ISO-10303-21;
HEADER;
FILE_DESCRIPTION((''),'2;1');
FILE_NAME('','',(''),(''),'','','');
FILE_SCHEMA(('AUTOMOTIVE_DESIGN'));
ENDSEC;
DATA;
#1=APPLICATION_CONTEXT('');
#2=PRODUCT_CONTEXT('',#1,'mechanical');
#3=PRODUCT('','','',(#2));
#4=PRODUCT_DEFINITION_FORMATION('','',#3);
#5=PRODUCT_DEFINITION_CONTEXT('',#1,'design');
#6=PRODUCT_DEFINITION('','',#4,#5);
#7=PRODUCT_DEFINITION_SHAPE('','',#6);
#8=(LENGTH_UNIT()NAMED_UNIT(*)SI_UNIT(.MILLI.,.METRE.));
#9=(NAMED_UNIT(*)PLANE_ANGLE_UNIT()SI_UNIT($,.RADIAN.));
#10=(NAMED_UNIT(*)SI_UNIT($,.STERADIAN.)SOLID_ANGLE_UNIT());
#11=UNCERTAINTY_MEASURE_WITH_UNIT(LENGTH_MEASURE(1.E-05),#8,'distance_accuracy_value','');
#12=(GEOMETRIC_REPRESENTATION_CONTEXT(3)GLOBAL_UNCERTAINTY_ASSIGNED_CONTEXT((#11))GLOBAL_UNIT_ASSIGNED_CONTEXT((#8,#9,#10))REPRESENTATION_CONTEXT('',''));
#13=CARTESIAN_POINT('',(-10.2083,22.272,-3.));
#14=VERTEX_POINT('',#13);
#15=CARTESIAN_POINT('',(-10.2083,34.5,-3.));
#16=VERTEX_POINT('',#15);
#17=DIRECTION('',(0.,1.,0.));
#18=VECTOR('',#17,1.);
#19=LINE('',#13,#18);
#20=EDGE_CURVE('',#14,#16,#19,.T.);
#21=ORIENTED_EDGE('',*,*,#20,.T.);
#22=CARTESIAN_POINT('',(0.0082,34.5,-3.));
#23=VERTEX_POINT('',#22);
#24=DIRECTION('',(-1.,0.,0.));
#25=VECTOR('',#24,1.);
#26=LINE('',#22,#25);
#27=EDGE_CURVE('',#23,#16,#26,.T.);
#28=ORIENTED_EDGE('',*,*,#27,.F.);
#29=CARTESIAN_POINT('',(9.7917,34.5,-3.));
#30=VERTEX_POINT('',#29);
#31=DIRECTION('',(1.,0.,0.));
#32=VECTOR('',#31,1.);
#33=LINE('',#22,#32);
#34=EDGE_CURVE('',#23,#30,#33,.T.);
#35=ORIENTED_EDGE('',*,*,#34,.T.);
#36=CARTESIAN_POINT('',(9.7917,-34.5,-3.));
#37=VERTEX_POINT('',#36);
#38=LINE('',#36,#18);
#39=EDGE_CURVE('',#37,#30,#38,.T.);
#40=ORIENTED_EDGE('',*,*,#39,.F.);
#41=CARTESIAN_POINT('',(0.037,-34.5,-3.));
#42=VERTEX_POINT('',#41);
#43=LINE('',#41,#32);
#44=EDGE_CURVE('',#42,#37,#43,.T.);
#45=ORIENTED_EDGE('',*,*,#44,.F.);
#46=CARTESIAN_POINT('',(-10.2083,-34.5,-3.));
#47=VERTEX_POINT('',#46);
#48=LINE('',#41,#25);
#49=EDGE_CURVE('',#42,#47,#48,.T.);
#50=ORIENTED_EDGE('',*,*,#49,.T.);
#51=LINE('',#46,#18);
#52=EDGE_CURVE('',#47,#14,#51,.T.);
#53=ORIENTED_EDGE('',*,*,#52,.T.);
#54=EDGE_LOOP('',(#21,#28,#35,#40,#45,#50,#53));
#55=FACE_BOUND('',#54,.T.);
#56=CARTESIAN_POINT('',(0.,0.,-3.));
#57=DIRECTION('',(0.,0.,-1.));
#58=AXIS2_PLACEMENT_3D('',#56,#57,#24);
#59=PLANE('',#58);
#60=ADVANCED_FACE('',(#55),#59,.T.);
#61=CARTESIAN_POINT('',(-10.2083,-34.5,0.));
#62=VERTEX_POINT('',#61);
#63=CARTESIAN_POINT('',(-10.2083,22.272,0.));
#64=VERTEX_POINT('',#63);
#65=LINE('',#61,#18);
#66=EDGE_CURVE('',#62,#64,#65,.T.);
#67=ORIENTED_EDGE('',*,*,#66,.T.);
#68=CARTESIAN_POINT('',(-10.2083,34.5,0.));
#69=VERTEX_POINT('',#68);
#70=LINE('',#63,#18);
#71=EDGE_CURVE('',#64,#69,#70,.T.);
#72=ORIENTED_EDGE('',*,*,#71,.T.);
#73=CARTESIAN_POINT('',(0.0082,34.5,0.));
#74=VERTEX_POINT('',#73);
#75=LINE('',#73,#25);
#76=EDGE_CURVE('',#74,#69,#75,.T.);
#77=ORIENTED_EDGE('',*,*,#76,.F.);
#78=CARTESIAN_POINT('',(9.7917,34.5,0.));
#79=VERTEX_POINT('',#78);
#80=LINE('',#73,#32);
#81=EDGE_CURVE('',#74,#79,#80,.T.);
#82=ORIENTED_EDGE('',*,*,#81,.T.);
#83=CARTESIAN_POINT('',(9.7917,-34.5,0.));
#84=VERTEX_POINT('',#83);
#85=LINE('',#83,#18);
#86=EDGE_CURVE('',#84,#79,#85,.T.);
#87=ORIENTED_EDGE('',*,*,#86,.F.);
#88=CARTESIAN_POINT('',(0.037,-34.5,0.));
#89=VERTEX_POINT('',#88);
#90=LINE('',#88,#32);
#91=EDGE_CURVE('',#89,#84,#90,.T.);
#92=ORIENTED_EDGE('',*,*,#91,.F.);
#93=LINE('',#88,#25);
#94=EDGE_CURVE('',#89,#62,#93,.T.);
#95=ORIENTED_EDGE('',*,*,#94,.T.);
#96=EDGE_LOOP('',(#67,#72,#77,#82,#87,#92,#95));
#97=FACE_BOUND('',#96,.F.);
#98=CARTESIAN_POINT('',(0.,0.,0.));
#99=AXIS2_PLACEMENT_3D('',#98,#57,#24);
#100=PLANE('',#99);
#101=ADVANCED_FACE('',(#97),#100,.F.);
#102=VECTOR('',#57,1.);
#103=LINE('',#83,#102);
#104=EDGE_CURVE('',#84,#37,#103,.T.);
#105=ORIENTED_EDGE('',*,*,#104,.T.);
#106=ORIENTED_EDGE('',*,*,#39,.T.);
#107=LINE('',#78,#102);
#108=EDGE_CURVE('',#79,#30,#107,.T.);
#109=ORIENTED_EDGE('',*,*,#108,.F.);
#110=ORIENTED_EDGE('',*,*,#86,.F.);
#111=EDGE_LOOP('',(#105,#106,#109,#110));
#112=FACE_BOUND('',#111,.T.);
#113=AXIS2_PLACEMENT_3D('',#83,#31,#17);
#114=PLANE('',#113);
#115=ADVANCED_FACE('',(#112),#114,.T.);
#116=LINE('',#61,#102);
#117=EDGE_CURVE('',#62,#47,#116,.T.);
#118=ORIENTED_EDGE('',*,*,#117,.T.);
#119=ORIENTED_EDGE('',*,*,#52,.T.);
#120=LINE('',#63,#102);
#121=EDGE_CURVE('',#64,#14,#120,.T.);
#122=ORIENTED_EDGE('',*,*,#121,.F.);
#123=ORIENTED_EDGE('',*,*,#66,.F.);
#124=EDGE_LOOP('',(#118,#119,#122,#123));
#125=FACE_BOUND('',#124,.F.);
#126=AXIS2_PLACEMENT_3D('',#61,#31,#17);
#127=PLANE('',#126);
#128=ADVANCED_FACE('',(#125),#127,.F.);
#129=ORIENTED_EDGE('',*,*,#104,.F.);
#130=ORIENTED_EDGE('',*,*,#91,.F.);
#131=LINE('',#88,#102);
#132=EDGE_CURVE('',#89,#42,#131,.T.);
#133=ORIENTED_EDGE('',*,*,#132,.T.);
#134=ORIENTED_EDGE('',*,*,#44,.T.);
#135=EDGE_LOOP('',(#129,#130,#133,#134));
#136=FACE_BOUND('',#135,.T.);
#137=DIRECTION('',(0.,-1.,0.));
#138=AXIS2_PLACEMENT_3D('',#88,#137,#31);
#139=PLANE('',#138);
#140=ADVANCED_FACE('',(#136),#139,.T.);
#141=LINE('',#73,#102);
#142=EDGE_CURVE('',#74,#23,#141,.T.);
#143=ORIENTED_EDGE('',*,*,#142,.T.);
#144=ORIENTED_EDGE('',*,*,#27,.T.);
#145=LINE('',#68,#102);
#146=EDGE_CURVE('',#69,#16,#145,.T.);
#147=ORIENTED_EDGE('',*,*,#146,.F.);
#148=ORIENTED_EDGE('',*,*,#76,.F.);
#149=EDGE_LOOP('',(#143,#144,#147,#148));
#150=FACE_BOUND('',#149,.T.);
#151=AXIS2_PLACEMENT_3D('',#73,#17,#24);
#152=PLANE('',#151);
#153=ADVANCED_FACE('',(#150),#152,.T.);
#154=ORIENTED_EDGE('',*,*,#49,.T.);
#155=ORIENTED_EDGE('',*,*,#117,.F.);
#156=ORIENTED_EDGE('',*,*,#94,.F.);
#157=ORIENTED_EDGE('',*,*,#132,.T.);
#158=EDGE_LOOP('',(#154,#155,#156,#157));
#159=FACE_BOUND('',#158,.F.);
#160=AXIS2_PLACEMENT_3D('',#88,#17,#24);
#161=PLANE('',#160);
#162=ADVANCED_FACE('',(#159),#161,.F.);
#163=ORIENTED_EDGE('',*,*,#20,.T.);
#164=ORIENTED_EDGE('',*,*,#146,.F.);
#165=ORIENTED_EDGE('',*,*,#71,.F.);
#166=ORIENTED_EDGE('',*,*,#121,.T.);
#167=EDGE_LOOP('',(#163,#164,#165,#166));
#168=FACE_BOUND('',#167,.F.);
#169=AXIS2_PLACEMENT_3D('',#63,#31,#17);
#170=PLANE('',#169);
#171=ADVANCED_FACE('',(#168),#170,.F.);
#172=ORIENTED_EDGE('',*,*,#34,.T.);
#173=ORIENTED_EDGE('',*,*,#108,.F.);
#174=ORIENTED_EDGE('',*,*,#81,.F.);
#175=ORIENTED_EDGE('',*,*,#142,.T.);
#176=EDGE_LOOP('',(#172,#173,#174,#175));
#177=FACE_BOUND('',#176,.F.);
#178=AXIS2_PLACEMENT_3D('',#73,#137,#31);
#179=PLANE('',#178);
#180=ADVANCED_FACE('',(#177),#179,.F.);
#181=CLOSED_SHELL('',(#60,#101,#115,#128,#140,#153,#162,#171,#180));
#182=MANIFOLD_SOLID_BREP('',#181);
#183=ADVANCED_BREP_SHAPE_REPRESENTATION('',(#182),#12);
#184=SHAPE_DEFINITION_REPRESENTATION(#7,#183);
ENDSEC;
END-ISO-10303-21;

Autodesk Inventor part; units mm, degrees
ref_plane "YZ Plane" through (0, 0, 0) normal (1, 0, 0) x (0, 1, 0)
ref_plane "XZ Plane" through (0, 0, 0) normal (0, 1, 0) x (-1, 0, 0)
ref_plane "XY Plane" through (0, 0, 0) normal (0, 0, 1) x (1, 0, 0)
ref_plane "Plano de trabajo1" through (0, 0, 0) normal (0, 0, -1) x (-1, 0, 0)
sketch "Boceto6" plane through (0, 0, 0) normal (0, 0, -1) x (-1, 0, 0)
  line L0 (10.2083, 22.272) -> (10.2083, 34.5)
  line L1 (-9.7917, -34.5) -> (-9.7917, 34.5)
  line L2 (10.2083, -34.5) -> (10.2083, 22.272)
  line L3 (-0.0082, 34.5) -> (10.2083, 34.5)
  line L4 (-0.0082, 34.5) -> (-9.7917, 34.5)
  line L5 (-0.037, -34.5) -> (10.2083, -34.5)
  line L6 (-0.037, -34.5) -> (-9.7917, -34.5)
extrude "Extrusión4" add sketch "Boceto6" along normal blind 3
equation "\"Radio_pliegue\" = Grosor"
equation "\"Anchura_desahogo_plegado\" = Grosor"
equation "\"Profundidad_desahogo_plegado\" = 0.5 * Grosor"
equation "\"Tamaño_destalonado\" = 4 * Grosor"
equation "\"Remanente_mínimo\" = 2 * Grosor"
equation "\"Radiodetransición\" = Radio_pliegue"
equation "\"Tamaño_de_radio_de_Jacobi\" = Radio_pliegue"
equation "\"TamañoSeparación\" = Grosor"
equation "\"Grosor\" = 0.5"
properties part number "base oreja"
